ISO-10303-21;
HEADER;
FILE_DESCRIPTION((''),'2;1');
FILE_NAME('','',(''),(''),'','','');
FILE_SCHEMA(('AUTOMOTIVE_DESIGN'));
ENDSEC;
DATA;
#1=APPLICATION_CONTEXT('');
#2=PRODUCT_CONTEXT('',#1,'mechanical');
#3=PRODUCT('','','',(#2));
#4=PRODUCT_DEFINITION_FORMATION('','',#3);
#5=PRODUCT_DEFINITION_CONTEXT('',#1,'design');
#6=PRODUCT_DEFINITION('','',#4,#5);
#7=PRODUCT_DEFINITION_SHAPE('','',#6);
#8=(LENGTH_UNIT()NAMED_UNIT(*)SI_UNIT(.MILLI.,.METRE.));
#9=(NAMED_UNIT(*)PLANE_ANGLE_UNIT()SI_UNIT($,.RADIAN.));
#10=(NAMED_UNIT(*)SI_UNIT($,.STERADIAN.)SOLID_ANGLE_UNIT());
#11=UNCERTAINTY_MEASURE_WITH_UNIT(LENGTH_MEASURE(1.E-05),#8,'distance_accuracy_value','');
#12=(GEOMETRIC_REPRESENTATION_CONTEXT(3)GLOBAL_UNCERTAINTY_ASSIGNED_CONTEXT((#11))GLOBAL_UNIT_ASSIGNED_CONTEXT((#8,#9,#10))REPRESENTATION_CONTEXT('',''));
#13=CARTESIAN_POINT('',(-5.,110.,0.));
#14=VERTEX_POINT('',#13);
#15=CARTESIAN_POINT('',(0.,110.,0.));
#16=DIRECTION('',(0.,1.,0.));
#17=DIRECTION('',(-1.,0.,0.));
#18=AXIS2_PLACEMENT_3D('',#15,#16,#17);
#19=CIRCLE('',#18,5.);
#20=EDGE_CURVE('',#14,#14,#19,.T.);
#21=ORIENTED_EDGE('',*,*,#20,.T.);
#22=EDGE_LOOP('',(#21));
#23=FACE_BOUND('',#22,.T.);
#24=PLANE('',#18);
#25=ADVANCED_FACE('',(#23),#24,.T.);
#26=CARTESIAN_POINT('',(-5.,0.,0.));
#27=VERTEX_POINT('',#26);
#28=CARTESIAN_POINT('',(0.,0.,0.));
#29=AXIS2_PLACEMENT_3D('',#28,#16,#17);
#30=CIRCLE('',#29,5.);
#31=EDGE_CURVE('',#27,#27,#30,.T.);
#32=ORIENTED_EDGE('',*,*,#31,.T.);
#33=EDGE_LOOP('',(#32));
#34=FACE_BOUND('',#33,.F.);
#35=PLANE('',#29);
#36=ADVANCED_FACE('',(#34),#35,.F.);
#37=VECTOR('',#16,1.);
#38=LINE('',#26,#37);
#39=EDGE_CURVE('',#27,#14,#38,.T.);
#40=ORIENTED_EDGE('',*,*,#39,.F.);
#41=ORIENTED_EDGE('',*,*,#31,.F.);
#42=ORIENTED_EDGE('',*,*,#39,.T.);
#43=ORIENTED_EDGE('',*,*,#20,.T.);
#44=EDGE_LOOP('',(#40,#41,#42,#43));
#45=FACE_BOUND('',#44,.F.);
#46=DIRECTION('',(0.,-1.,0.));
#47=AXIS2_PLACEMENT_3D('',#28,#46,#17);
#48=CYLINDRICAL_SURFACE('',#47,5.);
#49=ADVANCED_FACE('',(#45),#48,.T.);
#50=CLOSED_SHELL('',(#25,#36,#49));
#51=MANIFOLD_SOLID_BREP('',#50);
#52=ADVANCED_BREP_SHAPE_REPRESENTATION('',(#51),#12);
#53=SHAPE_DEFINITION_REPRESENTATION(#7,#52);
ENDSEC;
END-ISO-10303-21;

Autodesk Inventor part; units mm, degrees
ref_plane "YZ Plane" through (0, 0, 0) normal (1, 0, 0) x (0, 1, 0)
ref_plane "XZ Plane" through (0, 0, 0) normal (0, 1, 0) x (-1, 0, 0)
ref_plane "XY Plane" through (0, 0, 0) normal (0, 0, 1) x (1, 0, 0)
sketch "Sketch1" plane through (0, 0, 0) normal (0, 1, 0) x (-1, 0, 0)
  circle A0 centre (0, 0) radius 5
  dimension "d0" = 10
extrude "Extrusion1" add sketch "Sketch1" along normal blind 110
properties part number "platform_holder" material "Steel, Alloy"
